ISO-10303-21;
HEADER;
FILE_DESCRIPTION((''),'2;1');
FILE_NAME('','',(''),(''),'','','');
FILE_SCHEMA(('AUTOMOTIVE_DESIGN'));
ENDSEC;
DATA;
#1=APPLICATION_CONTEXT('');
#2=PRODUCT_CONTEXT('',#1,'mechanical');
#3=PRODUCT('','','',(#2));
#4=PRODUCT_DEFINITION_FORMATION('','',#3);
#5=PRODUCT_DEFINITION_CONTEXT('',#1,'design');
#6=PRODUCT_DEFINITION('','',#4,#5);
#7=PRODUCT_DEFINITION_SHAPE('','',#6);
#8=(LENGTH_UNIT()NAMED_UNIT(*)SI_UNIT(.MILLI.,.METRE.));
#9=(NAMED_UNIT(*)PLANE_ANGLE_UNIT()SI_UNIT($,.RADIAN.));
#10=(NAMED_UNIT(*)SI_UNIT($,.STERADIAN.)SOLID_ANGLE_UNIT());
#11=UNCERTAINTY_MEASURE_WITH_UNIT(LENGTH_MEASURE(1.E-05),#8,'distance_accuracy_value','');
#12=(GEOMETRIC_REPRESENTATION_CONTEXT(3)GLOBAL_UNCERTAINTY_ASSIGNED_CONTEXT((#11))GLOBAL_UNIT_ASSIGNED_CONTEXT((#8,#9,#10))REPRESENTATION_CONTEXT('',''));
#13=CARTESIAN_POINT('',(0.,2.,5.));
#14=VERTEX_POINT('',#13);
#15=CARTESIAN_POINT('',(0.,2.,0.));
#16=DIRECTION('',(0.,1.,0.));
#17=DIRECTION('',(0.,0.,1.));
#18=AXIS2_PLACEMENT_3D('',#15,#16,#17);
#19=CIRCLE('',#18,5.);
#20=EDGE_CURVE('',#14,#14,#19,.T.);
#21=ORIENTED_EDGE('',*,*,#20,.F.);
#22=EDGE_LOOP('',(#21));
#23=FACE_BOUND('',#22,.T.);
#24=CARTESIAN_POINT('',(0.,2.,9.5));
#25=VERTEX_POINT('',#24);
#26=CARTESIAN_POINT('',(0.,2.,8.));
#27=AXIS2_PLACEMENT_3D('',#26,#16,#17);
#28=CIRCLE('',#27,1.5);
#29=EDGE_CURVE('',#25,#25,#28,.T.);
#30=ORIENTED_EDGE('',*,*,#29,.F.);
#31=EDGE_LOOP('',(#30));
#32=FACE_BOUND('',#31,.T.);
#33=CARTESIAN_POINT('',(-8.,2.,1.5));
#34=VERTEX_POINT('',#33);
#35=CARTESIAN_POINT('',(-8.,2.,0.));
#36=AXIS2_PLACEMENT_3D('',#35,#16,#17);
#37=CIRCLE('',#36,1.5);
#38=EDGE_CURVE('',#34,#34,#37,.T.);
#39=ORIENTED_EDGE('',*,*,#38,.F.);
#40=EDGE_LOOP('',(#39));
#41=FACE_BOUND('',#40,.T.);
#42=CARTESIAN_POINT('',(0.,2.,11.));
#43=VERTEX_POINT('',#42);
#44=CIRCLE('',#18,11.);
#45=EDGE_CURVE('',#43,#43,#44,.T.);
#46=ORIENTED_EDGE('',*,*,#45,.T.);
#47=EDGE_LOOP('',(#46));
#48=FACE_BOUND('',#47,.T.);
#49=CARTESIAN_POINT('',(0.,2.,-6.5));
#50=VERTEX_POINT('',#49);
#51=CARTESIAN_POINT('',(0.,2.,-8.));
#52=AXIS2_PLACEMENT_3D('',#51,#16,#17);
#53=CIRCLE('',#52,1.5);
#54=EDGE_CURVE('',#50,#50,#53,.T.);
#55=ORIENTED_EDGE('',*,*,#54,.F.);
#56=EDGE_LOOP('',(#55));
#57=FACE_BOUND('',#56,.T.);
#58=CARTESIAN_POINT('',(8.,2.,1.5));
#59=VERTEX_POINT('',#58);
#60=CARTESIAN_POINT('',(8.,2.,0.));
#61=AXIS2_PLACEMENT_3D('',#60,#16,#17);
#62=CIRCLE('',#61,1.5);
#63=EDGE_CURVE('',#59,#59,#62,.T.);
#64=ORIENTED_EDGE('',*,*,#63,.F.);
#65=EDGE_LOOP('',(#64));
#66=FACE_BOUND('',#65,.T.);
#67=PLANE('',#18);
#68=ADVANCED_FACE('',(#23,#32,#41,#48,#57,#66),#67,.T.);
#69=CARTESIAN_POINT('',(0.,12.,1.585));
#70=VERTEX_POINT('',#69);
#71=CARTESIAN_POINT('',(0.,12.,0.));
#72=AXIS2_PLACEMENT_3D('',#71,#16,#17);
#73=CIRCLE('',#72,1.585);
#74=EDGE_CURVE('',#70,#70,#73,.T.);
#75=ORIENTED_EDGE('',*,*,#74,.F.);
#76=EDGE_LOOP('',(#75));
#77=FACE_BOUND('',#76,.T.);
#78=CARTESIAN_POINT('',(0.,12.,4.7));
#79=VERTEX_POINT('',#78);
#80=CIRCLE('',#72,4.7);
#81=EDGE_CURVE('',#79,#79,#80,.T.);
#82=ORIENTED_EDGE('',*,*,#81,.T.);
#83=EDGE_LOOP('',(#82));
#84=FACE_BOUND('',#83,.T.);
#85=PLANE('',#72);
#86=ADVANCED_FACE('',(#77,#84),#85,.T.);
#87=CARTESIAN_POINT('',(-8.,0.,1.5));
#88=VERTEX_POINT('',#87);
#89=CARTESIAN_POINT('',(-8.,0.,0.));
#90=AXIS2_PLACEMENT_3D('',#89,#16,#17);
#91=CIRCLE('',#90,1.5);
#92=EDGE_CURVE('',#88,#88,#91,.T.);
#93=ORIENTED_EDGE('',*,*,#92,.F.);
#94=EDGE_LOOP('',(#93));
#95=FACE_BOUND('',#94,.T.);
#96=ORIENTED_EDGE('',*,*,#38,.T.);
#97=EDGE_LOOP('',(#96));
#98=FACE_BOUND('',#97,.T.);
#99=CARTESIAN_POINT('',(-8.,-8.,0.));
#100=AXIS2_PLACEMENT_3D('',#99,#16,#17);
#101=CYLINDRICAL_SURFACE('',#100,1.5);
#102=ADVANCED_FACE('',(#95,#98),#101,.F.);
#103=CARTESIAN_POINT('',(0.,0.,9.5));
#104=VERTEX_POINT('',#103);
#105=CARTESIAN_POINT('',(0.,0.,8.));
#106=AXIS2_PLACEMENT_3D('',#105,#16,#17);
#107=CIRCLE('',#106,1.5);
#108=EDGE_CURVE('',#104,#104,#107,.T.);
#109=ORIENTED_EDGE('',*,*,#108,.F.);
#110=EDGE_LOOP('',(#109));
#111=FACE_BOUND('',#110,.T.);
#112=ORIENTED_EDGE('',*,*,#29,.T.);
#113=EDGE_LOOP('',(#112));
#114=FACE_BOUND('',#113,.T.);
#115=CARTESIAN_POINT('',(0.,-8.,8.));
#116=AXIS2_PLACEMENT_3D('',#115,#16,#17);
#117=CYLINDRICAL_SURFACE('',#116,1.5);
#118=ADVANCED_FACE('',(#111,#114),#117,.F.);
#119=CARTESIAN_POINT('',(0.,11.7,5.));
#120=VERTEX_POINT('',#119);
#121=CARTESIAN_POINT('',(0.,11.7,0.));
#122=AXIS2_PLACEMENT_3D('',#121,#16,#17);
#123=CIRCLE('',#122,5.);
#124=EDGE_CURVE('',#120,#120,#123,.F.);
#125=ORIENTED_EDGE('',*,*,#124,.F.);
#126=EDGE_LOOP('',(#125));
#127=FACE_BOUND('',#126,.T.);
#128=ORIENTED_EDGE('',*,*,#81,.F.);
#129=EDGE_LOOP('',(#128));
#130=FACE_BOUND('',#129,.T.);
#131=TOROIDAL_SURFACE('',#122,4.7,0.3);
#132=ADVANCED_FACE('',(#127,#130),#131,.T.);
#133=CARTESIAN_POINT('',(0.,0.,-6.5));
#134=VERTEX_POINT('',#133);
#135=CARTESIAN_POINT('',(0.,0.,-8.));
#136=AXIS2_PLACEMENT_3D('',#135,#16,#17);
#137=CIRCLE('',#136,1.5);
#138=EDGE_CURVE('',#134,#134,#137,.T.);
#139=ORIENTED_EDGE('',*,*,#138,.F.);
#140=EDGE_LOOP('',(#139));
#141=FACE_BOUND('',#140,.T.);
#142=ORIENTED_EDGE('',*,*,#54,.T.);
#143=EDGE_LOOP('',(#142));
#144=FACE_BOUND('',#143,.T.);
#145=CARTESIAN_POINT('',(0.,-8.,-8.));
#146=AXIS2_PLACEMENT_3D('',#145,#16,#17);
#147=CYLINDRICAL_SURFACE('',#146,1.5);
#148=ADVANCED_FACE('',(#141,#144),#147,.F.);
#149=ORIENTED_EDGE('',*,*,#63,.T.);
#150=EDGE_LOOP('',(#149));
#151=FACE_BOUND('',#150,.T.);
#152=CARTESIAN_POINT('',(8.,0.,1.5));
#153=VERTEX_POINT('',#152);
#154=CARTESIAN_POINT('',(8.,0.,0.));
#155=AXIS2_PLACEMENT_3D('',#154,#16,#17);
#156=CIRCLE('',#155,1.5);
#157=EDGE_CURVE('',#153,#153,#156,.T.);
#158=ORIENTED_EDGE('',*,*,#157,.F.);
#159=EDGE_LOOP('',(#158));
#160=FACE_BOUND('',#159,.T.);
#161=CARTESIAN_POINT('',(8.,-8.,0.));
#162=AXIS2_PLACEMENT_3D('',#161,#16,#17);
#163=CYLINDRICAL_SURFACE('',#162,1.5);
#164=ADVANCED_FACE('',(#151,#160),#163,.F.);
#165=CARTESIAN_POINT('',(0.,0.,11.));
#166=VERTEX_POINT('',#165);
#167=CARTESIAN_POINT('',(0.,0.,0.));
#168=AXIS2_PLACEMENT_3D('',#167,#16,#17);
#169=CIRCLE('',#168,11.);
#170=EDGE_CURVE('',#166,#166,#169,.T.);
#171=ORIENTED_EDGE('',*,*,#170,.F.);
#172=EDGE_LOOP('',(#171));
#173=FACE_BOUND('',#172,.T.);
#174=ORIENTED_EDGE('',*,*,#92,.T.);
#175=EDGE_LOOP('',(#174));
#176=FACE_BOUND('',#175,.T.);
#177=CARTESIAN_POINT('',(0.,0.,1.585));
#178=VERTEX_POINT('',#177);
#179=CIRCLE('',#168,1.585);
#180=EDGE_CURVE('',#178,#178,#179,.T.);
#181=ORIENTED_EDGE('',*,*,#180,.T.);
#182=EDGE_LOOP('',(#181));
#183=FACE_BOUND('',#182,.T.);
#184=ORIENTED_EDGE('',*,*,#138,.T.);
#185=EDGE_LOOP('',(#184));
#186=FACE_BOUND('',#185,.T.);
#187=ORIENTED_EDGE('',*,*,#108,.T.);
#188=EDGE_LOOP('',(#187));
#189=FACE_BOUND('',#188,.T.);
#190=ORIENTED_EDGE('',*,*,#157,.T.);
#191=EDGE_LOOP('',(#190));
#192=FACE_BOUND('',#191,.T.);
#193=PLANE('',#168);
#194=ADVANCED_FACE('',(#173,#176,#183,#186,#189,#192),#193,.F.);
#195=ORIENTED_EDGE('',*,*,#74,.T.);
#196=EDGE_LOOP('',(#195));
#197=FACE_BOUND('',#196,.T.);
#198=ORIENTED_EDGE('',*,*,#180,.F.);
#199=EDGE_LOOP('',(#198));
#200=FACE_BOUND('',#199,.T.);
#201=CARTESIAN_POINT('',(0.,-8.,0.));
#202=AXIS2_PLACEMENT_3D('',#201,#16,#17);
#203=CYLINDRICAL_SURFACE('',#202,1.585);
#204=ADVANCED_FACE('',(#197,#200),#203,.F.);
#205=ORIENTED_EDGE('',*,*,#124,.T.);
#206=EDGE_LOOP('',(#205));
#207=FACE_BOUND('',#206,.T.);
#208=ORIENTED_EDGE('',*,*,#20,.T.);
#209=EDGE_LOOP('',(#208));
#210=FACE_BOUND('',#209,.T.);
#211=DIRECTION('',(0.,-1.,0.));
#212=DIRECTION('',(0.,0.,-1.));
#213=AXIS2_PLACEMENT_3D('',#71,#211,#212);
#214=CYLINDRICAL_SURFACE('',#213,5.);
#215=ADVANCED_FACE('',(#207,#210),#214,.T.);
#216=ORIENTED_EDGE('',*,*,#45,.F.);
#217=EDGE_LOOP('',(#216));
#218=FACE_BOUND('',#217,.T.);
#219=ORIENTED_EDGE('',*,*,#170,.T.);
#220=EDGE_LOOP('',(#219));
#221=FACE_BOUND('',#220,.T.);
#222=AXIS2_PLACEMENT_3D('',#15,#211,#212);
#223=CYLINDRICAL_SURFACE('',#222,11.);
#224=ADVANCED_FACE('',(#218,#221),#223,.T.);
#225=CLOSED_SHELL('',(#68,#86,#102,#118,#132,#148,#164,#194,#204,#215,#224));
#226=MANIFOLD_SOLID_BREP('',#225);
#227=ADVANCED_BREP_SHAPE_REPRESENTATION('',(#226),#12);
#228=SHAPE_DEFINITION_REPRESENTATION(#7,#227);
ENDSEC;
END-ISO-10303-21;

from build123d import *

# Parameters (mm, degrees)
SKETCH1_R           = 11
BOSS_EXTRUDE1_DEPTH = 2
SKETCH2_R           = 5
BOSS_EXTRUDE2_DEPTH = 10
FILLET1_R           = 0.3
SKETCH3_R           = 1.5
CUT_EXTRUDE1_DEPTH  = 10
SKETCH4_R           = 1.585
CUT_EXTRUDE2_DEPTH  = 20


with BuildPart() as part:
    # Sketch1 → Boss-Extrude1 (new body)
    with BuildSketch(Plane(origin=(0, 0, 0), x_dir=(1, 0, 0), z_dir=(0, 1, 0))):
        Circle(SKETCH1_R)
    extrude(amount=BOSS_EXTRUDE1_DEPTH)

    # Sketch2 → Boss-Extrude2 (add)
    with BuildSketch(Plane(origin=(0, 2, 0), x_dir=(1, 0, 0), z_dir=(0, 1, 0))):
        Circle(SKETCH2_R)
    extrude(amount=BOSS_EXTRUDE2_DEPTH)

    # Fillet1
    fillet1_edges = [part.edges().sort_by_distance(p)[0] for p in [
        (-5, 12, 0),
    ]]
    fillet(fillet1_edges, radius=FILLET1_R)

    # Sketch3 → Cut-Extrude1 (cut)
    with BuildSketch(Plane(origin=(0, 2, 0), x_dir=(1, 0, 0), z_dir=(0, 1, 0))):
        with Locations((0, 8)):
            Circle(SKETCH3_R)
        with Locations((8, 0)):
            Circle(SKETCH3_R)
        with Locations((0, -8)):
            Circle(SKETCH3_R)
        with Locations((-8, 0)):
            Circle(SKETCH3_R)
    extrude(amount=-CUT_EXTRUDE1_DEPTH, mode=Mode.SUBTRACT)

    # Sketch4 → Cut-Extrude2 (cut)
    with BuildSketch(Plane(origin=(0, 12, 0), x_dir=(1, 0, 0), z_dir=(0, 1, 0))):
        Circle(SKETCH4_R)
    extrude(amount=-CUT_EXTRUDE2_DEPTH, mode=Mode.SUBTRACT)


solid = part.part
